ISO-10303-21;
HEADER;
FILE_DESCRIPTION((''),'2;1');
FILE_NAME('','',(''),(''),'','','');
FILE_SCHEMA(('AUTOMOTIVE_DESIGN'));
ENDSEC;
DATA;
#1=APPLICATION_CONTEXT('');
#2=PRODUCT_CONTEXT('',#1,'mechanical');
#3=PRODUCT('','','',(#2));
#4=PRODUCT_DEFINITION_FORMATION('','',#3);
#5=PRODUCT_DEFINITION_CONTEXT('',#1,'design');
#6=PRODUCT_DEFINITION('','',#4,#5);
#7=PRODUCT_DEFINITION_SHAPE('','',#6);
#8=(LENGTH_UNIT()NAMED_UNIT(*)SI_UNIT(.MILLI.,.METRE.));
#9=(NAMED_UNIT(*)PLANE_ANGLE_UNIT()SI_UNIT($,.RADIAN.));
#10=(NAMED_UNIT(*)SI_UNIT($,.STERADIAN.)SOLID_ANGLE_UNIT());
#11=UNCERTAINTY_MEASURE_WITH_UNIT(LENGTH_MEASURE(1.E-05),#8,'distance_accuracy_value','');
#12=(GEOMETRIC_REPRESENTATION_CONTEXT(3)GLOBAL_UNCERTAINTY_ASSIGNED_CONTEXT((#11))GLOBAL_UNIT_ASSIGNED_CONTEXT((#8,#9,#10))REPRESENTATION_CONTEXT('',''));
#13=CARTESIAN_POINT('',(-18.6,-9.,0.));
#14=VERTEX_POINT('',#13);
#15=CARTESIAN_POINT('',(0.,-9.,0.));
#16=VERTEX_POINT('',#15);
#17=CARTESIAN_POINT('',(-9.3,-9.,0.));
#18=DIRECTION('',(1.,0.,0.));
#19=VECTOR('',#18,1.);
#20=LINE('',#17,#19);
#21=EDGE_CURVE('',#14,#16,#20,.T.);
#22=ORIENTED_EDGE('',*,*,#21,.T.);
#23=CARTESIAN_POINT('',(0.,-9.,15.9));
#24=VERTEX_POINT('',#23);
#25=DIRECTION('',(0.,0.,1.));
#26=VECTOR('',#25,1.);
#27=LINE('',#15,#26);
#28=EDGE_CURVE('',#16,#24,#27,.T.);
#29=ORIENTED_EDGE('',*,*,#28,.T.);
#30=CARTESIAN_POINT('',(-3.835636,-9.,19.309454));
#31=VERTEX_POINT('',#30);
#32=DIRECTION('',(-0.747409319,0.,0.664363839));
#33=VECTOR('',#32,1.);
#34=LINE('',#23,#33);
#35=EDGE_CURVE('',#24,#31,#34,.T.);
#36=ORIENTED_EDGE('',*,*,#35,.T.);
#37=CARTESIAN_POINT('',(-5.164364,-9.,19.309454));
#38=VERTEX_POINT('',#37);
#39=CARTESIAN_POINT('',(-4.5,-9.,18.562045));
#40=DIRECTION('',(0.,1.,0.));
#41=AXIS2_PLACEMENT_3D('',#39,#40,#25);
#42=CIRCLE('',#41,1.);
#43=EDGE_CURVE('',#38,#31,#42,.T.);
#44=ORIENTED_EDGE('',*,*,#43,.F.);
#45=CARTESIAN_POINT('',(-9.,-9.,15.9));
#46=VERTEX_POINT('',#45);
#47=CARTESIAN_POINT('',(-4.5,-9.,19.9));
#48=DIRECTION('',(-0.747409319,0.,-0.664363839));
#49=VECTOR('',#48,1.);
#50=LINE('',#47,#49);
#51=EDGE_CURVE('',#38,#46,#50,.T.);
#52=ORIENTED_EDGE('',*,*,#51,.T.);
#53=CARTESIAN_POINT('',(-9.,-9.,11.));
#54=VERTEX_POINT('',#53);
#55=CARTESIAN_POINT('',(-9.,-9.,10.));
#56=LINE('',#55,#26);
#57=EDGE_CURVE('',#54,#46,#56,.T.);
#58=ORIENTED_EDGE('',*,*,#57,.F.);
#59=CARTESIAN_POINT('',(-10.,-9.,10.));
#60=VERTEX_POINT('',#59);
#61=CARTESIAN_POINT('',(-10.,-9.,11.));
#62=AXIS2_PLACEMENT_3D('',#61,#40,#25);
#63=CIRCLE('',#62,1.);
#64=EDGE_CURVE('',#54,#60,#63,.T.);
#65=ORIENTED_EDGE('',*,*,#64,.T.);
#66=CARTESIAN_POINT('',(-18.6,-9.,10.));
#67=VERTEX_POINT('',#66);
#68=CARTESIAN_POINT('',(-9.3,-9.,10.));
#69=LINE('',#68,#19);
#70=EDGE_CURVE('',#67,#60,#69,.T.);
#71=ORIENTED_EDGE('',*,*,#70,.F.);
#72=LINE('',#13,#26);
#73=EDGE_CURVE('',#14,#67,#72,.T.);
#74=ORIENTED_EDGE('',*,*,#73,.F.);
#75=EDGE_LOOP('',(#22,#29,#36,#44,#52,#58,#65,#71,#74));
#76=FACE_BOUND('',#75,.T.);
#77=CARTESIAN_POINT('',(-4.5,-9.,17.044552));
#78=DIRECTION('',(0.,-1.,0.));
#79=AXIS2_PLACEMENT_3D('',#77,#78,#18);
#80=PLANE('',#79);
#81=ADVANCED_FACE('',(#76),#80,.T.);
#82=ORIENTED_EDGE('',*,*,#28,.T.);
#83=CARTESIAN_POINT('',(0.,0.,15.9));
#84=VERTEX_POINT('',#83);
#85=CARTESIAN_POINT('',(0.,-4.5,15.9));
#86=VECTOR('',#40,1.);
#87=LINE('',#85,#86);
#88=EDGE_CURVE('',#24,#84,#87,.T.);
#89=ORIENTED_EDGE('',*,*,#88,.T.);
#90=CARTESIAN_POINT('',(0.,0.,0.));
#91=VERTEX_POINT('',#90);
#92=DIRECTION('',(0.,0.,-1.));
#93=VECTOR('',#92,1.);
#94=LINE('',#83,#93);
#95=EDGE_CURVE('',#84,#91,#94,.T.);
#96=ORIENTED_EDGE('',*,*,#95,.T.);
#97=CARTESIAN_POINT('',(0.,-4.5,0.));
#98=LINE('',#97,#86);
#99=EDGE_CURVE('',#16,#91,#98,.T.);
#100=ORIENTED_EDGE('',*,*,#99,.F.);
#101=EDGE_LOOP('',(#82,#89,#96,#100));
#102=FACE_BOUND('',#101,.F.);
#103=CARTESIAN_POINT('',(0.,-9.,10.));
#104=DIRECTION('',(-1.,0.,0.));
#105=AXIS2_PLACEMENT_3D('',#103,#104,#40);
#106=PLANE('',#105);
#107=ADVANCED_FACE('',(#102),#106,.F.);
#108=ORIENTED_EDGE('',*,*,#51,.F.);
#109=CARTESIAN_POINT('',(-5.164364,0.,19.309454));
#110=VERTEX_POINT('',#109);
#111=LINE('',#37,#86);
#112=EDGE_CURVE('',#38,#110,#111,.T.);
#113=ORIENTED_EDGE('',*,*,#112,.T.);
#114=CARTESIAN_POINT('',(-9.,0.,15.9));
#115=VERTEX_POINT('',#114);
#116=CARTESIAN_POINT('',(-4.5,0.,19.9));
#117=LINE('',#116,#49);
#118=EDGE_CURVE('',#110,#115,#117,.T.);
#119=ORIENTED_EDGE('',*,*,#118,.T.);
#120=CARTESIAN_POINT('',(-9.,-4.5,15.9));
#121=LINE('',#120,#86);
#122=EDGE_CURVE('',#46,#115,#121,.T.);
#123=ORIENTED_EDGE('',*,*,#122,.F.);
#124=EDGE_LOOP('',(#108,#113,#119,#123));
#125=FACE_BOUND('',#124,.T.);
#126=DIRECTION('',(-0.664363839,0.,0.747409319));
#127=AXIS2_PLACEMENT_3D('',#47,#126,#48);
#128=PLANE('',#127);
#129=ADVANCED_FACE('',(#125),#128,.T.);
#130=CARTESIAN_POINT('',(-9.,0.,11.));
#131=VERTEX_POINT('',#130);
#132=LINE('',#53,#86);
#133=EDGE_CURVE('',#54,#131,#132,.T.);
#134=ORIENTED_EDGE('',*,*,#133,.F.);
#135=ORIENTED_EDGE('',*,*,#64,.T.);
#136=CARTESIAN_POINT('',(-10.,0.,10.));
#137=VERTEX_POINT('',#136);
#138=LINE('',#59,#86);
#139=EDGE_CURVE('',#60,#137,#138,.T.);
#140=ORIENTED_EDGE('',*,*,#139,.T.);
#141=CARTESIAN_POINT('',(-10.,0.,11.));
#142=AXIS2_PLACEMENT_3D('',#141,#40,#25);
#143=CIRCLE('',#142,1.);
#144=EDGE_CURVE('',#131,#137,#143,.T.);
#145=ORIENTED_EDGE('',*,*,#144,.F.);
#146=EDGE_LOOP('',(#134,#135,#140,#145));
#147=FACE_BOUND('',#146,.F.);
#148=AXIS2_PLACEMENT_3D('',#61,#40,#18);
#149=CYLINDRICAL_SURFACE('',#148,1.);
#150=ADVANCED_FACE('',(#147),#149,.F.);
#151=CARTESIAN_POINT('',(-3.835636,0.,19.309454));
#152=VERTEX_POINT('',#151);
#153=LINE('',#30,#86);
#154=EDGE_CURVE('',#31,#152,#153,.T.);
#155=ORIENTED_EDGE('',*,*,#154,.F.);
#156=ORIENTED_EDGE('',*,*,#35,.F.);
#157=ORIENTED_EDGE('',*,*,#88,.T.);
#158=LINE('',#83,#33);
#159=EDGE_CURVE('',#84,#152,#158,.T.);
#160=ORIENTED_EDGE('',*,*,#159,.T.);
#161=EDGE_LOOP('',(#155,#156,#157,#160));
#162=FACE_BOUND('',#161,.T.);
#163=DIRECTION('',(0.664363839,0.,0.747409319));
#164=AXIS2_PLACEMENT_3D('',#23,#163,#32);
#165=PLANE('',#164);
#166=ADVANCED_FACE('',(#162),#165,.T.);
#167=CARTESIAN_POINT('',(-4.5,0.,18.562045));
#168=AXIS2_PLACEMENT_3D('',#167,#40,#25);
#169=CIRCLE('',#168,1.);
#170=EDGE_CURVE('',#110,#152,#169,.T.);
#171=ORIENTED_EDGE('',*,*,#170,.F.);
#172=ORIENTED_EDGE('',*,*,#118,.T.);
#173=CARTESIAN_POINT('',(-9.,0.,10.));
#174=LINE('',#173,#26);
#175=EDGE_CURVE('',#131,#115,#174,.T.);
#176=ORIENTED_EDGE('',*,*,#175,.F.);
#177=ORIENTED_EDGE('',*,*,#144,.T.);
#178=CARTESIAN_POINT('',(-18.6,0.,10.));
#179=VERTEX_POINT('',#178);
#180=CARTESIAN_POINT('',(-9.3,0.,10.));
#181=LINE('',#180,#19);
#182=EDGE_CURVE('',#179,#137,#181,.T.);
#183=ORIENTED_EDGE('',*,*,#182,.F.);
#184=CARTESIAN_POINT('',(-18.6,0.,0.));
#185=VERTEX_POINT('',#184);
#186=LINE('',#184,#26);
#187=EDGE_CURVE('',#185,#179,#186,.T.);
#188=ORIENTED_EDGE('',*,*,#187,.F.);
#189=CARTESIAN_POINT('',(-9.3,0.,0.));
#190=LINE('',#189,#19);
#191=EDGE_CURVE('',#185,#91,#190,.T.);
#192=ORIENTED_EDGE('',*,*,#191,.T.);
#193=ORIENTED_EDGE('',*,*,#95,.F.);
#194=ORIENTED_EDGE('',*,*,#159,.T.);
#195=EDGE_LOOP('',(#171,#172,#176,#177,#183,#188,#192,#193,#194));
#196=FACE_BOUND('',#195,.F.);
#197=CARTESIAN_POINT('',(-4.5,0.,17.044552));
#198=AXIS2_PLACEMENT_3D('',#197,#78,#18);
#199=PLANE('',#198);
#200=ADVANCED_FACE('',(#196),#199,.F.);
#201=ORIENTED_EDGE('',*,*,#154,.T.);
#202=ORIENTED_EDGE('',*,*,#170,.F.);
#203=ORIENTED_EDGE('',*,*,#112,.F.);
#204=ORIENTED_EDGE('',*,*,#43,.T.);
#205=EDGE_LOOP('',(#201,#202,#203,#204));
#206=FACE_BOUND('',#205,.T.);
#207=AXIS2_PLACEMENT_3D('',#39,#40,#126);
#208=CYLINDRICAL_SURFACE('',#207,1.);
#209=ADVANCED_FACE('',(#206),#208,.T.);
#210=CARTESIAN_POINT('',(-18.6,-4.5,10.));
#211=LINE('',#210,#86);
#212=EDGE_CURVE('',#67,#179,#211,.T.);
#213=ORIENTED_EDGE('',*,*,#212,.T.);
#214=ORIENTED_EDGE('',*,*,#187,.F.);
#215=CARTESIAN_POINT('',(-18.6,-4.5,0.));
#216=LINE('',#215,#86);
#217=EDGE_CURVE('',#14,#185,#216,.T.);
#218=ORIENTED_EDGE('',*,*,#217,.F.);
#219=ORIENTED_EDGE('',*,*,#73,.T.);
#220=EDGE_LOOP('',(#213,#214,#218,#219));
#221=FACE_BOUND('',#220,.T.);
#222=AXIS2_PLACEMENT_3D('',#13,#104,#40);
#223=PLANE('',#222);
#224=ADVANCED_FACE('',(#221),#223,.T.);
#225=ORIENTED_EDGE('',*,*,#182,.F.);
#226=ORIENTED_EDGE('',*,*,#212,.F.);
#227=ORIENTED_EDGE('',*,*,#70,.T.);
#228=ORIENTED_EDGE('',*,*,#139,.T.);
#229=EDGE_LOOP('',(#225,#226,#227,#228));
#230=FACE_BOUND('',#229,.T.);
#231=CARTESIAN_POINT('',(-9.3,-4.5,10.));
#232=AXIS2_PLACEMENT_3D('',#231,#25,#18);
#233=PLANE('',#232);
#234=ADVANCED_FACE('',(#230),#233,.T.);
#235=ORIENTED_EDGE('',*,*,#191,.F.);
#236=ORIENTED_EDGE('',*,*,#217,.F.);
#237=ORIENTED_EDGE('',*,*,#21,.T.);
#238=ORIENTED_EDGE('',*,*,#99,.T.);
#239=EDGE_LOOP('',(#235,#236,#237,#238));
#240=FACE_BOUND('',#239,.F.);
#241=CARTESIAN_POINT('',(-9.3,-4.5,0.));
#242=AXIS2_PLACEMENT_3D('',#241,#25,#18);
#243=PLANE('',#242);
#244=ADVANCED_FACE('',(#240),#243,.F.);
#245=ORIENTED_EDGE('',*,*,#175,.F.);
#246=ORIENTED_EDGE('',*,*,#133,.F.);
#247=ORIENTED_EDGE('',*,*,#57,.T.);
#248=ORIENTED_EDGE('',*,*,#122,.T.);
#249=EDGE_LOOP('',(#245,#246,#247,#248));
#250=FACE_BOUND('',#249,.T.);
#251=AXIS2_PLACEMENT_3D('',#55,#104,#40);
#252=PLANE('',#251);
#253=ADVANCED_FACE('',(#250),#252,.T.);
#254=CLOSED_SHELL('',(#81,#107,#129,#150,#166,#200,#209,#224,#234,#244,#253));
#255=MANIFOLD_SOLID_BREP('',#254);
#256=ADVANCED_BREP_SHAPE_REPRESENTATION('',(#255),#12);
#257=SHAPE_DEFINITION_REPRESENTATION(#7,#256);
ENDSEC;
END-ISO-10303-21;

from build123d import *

# Parameters (mm, degrees)
F0_W     = 18.6
F0_H     = 9
F1_DEPTH = 10
F2_W     = 9
F2_H     = 9
F3_DEPTH = 5.9
F5_DEPTH = 9
F6_R     = 1


with BuildPart() as f1:
    # F0 (on Top) → F1 (new body)
    with BuildSketch(Plane.XY):
        with Locations((-9.3, -4.5)):
            Rectangle(F0_W, F0_H)
    extrude(amount=F1_DEPTH)

    # F2 (on face) → F3 (join)
    with BuildSketch(Plane.XY.offset(10)):
        with Locations((-4.5, -4.5)):
            Rectangle(F2_W, F2_H)
    extrude(amount=F3_DEPTH)

    # F4 (on face) → F5 (join, through all)
    with BuildSketch(Plane.XZ.offset(9)):
        Polygon((-4.5, 19.9), (-9, 15.9), (0, 15.9), align=None)
    extrude(amount=-F5_DEPTH)

    # F6
    f6_edges = [f1.edges().sort_by_distance(p)[0] for p in [
        (-4.5, -4.5, 19.9),
        (-9, -4.5, 10),
    ]]
    fillet(f6_edges, radius=F6_R)


solid = f1.part
